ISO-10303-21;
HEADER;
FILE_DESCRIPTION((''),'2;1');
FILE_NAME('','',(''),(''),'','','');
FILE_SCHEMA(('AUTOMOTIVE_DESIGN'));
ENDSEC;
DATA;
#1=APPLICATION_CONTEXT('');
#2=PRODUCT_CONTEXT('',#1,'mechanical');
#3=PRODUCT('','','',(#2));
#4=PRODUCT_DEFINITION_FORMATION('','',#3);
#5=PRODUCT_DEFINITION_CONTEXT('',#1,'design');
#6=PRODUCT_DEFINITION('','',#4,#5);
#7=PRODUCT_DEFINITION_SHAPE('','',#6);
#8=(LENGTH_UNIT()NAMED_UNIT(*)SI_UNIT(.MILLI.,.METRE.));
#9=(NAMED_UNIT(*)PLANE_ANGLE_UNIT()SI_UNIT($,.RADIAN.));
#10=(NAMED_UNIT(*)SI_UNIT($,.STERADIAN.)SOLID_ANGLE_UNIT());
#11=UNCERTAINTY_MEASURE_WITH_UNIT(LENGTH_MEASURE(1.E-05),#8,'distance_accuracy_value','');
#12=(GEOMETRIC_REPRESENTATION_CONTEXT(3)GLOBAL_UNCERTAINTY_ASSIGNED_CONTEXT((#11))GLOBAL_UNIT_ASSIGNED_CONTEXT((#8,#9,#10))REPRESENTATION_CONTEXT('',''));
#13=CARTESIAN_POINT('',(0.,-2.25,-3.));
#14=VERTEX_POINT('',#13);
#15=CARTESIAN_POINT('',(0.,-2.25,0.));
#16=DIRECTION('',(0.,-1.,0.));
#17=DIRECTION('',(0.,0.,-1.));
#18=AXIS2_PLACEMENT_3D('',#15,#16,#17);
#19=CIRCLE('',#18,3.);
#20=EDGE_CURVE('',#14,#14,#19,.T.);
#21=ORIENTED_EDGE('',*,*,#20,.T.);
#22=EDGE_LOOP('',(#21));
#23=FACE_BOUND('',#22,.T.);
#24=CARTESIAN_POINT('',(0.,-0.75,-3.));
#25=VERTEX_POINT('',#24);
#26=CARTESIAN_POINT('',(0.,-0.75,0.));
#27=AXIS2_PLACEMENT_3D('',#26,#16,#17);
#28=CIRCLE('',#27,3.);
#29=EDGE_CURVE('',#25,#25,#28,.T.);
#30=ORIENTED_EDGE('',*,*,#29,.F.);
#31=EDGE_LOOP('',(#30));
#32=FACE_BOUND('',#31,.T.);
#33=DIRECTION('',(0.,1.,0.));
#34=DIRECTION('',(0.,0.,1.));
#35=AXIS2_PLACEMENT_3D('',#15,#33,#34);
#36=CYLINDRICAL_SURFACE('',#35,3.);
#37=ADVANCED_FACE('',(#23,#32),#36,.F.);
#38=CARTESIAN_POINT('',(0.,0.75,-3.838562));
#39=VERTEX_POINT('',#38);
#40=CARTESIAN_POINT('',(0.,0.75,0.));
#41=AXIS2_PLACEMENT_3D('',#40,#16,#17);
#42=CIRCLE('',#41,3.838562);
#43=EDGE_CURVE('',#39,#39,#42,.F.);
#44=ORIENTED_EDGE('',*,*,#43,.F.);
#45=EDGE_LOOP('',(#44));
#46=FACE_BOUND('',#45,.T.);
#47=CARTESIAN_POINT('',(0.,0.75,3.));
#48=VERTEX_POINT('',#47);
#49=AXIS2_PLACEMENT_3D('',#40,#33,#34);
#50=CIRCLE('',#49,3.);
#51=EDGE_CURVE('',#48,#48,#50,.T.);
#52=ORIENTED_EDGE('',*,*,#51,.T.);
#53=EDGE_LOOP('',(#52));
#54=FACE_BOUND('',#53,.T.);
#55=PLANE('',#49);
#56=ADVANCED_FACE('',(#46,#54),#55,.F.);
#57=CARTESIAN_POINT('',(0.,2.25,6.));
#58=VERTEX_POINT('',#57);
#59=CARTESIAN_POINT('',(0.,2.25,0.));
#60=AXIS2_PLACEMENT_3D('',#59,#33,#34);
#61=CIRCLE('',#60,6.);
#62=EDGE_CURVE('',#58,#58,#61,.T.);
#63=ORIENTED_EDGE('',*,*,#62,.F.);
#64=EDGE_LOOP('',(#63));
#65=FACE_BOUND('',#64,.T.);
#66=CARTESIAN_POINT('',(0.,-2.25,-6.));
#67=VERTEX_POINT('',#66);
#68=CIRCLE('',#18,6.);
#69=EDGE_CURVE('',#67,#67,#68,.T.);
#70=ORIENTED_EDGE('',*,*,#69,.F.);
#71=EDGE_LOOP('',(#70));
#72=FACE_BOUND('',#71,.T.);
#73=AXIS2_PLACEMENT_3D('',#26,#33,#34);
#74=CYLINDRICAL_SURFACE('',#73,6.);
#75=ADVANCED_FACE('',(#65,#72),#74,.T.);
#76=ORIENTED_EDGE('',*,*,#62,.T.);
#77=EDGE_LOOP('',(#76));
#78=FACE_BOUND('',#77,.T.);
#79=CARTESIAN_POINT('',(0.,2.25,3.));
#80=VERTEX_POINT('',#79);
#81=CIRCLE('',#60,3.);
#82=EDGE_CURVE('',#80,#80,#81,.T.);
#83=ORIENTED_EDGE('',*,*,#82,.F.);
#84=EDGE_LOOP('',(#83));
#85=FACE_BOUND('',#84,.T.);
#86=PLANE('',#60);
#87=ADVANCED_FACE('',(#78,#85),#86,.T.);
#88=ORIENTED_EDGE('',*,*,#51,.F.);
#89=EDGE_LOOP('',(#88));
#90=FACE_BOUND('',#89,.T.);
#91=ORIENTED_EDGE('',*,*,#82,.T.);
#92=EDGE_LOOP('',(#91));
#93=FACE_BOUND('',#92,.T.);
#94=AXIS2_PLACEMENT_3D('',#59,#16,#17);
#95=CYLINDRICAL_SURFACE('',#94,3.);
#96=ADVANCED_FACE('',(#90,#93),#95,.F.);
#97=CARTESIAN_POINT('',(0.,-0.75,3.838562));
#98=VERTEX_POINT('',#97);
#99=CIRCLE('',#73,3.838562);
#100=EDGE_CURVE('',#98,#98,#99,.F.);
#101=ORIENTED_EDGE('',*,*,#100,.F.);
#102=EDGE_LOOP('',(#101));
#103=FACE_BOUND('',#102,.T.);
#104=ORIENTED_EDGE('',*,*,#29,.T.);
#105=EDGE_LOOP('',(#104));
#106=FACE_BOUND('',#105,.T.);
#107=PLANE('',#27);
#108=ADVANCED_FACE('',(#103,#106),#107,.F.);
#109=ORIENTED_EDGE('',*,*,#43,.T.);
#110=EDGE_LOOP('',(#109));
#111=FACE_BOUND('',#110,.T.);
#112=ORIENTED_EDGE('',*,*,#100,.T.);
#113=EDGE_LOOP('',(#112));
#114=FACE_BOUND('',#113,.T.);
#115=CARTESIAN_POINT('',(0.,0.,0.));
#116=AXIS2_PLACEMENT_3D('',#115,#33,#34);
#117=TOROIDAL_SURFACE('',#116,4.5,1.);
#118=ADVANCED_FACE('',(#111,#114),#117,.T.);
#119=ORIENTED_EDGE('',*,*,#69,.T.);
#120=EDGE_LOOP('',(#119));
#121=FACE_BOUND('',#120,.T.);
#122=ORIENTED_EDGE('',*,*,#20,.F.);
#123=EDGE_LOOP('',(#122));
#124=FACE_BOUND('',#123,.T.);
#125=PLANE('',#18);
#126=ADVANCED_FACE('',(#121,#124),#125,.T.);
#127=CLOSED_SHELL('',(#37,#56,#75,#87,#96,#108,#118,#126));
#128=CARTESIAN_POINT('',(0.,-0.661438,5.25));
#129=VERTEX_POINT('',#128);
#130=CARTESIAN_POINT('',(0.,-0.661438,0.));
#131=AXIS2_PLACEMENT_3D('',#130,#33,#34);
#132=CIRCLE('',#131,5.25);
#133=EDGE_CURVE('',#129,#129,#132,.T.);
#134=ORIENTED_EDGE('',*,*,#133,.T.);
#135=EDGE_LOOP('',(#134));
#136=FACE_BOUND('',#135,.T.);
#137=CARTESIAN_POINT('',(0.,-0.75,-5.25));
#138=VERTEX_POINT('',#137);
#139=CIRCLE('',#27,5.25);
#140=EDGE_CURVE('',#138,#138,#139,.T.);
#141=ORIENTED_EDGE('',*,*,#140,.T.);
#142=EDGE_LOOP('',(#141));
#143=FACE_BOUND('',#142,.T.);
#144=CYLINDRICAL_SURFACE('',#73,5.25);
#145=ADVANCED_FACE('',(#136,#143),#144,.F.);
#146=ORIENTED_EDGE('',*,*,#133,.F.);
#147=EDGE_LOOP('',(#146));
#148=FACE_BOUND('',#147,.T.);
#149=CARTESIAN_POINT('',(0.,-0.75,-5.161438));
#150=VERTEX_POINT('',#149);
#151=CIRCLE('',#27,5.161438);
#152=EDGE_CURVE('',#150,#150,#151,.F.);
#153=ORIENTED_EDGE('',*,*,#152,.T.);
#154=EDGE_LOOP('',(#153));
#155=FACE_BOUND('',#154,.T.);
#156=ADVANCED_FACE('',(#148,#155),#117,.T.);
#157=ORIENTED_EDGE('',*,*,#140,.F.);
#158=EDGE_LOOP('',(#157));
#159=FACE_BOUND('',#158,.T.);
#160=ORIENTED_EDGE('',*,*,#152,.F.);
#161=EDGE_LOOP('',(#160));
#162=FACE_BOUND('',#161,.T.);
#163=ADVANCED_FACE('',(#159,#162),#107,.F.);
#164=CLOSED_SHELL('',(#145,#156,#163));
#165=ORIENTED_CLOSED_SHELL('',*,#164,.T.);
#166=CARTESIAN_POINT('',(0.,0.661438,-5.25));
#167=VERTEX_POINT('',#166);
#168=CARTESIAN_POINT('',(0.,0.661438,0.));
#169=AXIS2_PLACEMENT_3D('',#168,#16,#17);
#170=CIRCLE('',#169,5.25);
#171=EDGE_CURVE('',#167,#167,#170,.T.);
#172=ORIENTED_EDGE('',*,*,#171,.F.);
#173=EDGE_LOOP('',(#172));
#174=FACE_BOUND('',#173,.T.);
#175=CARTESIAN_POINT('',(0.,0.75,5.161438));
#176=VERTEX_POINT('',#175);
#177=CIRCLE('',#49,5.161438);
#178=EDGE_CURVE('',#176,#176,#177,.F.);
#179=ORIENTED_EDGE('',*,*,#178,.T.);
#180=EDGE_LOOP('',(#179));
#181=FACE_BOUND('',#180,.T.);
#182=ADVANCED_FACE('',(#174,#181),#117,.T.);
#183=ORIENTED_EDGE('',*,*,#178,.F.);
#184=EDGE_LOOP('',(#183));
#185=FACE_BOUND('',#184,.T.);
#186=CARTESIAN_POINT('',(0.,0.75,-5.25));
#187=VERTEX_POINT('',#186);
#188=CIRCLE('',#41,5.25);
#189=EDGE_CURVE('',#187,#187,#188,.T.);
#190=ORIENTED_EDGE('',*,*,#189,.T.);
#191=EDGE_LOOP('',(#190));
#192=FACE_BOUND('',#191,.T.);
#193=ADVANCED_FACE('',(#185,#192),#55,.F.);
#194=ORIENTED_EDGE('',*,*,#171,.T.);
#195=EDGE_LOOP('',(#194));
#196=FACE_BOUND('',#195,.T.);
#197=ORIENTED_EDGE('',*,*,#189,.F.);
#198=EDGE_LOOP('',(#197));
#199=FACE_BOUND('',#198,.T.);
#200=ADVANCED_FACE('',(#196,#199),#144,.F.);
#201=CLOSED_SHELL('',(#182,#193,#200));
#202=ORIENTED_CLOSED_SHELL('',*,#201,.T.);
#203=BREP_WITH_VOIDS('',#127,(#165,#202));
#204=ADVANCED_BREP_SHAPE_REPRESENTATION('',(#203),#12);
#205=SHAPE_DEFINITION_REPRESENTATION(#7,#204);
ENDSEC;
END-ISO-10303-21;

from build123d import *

# Parameters (mm, degrees)
SKETCH_3_R      = 1
SKETCH_5_R      = 6
SKETCH_5_R_2    = 3
EXTRUDE_1_DEPTH = 1.5
SKETCH_6_R      = 6
SKETCH_6_R_2    = 5.25
EXTRUDE_3_DEPTH = 1.5
EXTRUDE_START   = 1.5
SKETCH_7_R      = 6
SKETCH_7_R_2    = 3
EXTRUDE_4_DEPTH = 1.5


with BuildPart() as part:
    # ｽｹｯﾁ3 → 回転3 (revolve)
    with BuildSketch(Plane(origin=(0, 0, 0), x_dir=(0, 0, -1), z_dir=(1, 0, 0))):
        with Locations((-4.5, 0)):
            Circle(SKETCH_3_R)
    revolve(axis=Axis((0, 7.993421053, 0), (0, -1, 0)))



with BuildPart() as body_2:
    # ｽｹｯﾁ5 → ﾎﾞｽ - 押し出し1 (new body)
    with BuildSketch(Plane(origin=(0, 0.75, 0), x_dir=(1, 0, 0), z_dir=(0, 1, 0))):
        with Locations(Location((0, 0, 0), (0, 0, 270))):
            Circle(SKETCH_5_R)
        with Locations(Location((0, 0, 0), (0, 0, 270))):
            Circle(SKETCH_5_R_2, mode=Mode.SUBTRACT)
    extrude(amount=EXTRUDE_1_DEPTH)


with BuildPart() as part_1:
    add(part.part)

    add(body_2.part)  # ﾎﾞｽ - 押し出し3 merges body 2
    # ｽｹｯﾁ6 → ﾎﾞｽ - 押し出し3 (add)
    with BuildSketch(Plane.XZ.offset(-0.75)):
        with Locations(Location((0, 0, 0), (0, 0, 90))):
            Circle(SKETCH_6_R)
        with Locations(Location((0, 0, 0), (0, 0, 90))):
            Circle(SKETCH_6_R_2, mode=Mode.SUBTRACT)
    extrude(amount=EXTRUDE_3_DEPTH)

    # ｽｹｯﾁ7 → ﾎﾞｽ - 押し出し4 (add)
    with BuildSketch(Plane.XZ.offset(0.75).offset(EXTRUDE_START)):
        with Locations(Location((0, 0, 0), (0, 0, 90))):
            Circle(SKETCH_7_R)
        with Locations(Location((0, 0, 0), (0, 0, 90))):
            Circle(SKETCH_7_R_2, mode=Mode.SUBTRACT)
    extrude(amount=-EXTRUDE_4_DEPTH)


solid = part_1.part
